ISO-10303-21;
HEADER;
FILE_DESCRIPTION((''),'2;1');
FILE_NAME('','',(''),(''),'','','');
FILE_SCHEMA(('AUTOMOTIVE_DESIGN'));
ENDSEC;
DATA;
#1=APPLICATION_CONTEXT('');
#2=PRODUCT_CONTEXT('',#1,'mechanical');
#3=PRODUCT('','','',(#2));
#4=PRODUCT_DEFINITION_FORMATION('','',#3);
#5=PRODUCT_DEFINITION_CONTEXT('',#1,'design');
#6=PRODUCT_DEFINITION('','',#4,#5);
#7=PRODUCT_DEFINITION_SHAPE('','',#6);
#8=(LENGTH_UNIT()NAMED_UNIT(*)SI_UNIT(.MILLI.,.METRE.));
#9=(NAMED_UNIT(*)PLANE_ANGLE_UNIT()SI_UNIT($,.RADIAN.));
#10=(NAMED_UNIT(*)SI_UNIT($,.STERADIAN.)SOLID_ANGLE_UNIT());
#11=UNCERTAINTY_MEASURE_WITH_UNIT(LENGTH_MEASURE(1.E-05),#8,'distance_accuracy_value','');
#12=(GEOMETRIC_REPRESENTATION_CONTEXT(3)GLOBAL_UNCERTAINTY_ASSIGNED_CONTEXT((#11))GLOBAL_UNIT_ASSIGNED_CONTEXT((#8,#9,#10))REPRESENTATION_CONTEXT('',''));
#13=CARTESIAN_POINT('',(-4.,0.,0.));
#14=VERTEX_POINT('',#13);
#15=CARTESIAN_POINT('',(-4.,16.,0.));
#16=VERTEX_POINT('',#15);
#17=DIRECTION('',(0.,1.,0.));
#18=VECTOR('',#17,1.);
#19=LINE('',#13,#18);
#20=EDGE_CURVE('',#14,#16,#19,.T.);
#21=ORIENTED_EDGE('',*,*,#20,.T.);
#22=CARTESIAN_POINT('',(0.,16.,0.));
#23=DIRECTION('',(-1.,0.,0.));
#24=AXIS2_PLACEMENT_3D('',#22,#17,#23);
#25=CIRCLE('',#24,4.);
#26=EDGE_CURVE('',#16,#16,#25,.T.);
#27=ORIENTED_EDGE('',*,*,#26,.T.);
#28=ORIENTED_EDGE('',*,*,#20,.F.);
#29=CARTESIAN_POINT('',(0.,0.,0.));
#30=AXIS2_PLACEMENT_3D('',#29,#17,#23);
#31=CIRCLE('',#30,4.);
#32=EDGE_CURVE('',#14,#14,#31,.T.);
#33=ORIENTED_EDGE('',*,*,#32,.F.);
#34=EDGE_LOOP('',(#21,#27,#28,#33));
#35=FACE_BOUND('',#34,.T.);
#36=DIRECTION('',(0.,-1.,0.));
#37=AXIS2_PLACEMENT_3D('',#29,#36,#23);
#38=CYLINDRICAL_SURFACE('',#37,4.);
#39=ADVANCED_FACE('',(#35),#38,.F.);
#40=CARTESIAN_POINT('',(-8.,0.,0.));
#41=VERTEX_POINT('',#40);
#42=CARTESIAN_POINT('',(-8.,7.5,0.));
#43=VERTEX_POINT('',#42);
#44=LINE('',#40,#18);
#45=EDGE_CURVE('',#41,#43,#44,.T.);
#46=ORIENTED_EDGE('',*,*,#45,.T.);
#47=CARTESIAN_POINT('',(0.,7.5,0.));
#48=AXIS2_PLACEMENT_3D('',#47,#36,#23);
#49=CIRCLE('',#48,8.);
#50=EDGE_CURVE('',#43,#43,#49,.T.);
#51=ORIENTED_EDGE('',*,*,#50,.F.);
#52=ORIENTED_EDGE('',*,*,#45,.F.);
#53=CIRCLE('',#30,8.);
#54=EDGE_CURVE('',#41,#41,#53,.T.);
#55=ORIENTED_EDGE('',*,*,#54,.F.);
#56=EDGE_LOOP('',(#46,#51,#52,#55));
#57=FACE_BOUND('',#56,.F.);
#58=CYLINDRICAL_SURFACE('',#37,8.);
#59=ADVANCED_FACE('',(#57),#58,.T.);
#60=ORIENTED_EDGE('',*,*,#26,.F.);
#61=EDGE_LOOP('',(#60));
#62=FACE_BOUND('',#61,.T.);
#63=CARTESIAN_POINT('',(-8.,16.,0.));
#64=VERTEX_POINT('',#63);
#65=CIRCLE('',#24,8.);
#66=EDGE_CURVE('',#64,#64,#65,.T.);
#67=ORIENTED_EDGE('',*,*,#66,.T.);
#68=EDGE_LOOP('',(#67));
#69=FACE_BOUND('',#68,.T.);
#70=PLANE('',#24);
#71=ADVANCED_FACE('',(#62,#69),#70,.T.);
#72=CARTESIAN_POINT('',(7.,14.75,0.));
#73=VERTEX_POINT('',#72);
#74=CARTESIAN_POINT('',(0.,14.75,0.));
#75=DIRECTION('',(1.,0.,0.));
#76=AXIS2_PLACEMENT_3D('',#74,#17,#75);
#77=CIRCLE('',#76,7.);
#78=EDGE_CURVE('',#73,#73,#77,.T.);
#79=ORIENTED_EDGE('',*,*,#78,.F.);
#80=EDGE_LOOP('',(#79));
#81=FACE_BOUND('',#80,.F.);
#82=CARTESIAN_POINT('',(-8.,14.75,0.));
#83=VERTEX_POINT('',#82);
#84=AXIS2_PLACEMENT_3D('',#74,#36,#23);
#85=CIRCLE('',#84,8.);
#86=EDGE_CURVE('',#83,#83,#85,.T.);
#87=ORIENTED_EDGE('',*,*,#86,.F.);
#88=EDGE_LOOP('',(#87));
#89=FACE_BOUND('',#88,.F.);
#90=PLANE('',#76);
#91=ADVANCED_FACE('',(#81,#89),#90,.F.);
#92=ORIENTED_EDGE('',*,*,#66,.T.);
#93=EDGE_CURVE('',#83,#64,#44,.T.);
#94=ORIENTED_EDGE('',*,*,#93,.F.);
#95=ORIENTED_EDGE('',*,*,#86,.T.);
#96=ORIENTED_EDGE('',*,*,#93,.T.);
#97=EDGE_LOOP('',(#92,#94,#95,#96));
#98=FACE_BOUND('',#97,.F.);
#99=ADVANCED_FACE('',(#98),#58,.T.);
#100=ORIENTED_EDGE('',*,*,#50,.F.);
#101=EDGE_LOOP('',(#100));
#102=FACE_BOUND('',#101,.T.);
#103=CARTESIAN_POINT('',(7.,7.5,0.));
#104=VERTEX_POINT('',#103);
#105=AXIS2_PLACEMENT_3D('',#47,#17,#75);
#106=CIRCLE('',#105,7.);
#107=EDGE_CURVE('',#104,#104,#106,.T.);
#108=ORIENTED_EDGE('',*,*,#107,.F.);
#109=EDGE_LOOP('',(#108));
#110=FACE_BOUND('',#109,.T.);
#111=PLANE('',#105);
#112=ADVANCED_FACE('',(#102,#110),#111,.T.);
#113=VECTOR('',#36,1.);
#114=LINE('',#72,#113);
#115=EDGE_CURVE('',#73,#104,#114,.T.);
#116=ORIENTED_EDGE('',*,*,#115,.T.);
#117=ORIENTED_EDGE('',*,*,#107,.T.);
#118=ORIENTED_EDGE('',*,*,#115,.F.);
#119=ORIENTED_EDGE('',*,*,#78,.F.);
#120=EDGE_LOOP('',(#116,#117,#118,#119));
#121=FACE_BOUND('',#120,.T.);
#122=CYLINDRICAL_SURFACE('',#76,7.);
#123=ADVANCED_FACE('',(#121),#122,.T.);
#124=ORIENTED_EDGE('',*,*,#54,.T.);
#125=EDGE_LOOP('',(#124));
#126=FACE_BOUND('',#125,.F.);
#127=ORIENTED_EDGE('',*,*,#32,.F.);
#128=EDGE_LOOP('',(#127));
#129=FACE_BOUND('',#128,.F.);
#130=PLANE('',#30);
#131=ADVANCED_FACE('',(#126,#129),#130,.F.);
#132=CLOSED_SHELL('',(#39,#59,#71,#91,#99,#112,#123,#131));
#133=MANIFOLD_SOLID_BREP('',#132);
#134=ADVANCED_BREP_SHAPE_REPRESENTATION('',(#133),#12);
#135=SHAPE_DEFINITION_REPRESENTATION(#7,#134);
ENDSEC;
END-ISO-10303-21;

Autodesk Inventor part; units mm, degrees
ref_plane "YZ Plane" through (0, 0, 0) normal (1, 0, 0) x (0, 1, 0)
ref_plane "XZ Plane" through (0, 0, 0) normal (0, 1, 0) x (-1, 0, 0)
sketch "Sketch1" plane through (0, 0, 0) normal (0, 1, 0) x (-1, 0, 0)
  circle A0 centre (0, 0) radius 8
  circle A1 centre (0, 0) radius 4
  dimension "d0" = 16
  dimension "d1" = 8
extrude "Extrusion1" add sketch "Sketch1" along normal blind 16
ref_plane "Work Plane1" through (0, 14.75, 0) normal (0, 1, 0) x (1, 0, 0)
sketch "Sketch2" plane through (0, 14.75, 0) normal (0, 1, 0) x (1, 0, 0)
  circle A0 centre (0, 0) radius 8
  circle A1 centre (0, 0) radius 8 projected
  circle A2 centre (0, 0) radius 7
  dimension "d5" = 1
extrude "Extrusion2" cut sketch "Sketch2" against normal blind 7.25
properties part number "Gt2_20"
